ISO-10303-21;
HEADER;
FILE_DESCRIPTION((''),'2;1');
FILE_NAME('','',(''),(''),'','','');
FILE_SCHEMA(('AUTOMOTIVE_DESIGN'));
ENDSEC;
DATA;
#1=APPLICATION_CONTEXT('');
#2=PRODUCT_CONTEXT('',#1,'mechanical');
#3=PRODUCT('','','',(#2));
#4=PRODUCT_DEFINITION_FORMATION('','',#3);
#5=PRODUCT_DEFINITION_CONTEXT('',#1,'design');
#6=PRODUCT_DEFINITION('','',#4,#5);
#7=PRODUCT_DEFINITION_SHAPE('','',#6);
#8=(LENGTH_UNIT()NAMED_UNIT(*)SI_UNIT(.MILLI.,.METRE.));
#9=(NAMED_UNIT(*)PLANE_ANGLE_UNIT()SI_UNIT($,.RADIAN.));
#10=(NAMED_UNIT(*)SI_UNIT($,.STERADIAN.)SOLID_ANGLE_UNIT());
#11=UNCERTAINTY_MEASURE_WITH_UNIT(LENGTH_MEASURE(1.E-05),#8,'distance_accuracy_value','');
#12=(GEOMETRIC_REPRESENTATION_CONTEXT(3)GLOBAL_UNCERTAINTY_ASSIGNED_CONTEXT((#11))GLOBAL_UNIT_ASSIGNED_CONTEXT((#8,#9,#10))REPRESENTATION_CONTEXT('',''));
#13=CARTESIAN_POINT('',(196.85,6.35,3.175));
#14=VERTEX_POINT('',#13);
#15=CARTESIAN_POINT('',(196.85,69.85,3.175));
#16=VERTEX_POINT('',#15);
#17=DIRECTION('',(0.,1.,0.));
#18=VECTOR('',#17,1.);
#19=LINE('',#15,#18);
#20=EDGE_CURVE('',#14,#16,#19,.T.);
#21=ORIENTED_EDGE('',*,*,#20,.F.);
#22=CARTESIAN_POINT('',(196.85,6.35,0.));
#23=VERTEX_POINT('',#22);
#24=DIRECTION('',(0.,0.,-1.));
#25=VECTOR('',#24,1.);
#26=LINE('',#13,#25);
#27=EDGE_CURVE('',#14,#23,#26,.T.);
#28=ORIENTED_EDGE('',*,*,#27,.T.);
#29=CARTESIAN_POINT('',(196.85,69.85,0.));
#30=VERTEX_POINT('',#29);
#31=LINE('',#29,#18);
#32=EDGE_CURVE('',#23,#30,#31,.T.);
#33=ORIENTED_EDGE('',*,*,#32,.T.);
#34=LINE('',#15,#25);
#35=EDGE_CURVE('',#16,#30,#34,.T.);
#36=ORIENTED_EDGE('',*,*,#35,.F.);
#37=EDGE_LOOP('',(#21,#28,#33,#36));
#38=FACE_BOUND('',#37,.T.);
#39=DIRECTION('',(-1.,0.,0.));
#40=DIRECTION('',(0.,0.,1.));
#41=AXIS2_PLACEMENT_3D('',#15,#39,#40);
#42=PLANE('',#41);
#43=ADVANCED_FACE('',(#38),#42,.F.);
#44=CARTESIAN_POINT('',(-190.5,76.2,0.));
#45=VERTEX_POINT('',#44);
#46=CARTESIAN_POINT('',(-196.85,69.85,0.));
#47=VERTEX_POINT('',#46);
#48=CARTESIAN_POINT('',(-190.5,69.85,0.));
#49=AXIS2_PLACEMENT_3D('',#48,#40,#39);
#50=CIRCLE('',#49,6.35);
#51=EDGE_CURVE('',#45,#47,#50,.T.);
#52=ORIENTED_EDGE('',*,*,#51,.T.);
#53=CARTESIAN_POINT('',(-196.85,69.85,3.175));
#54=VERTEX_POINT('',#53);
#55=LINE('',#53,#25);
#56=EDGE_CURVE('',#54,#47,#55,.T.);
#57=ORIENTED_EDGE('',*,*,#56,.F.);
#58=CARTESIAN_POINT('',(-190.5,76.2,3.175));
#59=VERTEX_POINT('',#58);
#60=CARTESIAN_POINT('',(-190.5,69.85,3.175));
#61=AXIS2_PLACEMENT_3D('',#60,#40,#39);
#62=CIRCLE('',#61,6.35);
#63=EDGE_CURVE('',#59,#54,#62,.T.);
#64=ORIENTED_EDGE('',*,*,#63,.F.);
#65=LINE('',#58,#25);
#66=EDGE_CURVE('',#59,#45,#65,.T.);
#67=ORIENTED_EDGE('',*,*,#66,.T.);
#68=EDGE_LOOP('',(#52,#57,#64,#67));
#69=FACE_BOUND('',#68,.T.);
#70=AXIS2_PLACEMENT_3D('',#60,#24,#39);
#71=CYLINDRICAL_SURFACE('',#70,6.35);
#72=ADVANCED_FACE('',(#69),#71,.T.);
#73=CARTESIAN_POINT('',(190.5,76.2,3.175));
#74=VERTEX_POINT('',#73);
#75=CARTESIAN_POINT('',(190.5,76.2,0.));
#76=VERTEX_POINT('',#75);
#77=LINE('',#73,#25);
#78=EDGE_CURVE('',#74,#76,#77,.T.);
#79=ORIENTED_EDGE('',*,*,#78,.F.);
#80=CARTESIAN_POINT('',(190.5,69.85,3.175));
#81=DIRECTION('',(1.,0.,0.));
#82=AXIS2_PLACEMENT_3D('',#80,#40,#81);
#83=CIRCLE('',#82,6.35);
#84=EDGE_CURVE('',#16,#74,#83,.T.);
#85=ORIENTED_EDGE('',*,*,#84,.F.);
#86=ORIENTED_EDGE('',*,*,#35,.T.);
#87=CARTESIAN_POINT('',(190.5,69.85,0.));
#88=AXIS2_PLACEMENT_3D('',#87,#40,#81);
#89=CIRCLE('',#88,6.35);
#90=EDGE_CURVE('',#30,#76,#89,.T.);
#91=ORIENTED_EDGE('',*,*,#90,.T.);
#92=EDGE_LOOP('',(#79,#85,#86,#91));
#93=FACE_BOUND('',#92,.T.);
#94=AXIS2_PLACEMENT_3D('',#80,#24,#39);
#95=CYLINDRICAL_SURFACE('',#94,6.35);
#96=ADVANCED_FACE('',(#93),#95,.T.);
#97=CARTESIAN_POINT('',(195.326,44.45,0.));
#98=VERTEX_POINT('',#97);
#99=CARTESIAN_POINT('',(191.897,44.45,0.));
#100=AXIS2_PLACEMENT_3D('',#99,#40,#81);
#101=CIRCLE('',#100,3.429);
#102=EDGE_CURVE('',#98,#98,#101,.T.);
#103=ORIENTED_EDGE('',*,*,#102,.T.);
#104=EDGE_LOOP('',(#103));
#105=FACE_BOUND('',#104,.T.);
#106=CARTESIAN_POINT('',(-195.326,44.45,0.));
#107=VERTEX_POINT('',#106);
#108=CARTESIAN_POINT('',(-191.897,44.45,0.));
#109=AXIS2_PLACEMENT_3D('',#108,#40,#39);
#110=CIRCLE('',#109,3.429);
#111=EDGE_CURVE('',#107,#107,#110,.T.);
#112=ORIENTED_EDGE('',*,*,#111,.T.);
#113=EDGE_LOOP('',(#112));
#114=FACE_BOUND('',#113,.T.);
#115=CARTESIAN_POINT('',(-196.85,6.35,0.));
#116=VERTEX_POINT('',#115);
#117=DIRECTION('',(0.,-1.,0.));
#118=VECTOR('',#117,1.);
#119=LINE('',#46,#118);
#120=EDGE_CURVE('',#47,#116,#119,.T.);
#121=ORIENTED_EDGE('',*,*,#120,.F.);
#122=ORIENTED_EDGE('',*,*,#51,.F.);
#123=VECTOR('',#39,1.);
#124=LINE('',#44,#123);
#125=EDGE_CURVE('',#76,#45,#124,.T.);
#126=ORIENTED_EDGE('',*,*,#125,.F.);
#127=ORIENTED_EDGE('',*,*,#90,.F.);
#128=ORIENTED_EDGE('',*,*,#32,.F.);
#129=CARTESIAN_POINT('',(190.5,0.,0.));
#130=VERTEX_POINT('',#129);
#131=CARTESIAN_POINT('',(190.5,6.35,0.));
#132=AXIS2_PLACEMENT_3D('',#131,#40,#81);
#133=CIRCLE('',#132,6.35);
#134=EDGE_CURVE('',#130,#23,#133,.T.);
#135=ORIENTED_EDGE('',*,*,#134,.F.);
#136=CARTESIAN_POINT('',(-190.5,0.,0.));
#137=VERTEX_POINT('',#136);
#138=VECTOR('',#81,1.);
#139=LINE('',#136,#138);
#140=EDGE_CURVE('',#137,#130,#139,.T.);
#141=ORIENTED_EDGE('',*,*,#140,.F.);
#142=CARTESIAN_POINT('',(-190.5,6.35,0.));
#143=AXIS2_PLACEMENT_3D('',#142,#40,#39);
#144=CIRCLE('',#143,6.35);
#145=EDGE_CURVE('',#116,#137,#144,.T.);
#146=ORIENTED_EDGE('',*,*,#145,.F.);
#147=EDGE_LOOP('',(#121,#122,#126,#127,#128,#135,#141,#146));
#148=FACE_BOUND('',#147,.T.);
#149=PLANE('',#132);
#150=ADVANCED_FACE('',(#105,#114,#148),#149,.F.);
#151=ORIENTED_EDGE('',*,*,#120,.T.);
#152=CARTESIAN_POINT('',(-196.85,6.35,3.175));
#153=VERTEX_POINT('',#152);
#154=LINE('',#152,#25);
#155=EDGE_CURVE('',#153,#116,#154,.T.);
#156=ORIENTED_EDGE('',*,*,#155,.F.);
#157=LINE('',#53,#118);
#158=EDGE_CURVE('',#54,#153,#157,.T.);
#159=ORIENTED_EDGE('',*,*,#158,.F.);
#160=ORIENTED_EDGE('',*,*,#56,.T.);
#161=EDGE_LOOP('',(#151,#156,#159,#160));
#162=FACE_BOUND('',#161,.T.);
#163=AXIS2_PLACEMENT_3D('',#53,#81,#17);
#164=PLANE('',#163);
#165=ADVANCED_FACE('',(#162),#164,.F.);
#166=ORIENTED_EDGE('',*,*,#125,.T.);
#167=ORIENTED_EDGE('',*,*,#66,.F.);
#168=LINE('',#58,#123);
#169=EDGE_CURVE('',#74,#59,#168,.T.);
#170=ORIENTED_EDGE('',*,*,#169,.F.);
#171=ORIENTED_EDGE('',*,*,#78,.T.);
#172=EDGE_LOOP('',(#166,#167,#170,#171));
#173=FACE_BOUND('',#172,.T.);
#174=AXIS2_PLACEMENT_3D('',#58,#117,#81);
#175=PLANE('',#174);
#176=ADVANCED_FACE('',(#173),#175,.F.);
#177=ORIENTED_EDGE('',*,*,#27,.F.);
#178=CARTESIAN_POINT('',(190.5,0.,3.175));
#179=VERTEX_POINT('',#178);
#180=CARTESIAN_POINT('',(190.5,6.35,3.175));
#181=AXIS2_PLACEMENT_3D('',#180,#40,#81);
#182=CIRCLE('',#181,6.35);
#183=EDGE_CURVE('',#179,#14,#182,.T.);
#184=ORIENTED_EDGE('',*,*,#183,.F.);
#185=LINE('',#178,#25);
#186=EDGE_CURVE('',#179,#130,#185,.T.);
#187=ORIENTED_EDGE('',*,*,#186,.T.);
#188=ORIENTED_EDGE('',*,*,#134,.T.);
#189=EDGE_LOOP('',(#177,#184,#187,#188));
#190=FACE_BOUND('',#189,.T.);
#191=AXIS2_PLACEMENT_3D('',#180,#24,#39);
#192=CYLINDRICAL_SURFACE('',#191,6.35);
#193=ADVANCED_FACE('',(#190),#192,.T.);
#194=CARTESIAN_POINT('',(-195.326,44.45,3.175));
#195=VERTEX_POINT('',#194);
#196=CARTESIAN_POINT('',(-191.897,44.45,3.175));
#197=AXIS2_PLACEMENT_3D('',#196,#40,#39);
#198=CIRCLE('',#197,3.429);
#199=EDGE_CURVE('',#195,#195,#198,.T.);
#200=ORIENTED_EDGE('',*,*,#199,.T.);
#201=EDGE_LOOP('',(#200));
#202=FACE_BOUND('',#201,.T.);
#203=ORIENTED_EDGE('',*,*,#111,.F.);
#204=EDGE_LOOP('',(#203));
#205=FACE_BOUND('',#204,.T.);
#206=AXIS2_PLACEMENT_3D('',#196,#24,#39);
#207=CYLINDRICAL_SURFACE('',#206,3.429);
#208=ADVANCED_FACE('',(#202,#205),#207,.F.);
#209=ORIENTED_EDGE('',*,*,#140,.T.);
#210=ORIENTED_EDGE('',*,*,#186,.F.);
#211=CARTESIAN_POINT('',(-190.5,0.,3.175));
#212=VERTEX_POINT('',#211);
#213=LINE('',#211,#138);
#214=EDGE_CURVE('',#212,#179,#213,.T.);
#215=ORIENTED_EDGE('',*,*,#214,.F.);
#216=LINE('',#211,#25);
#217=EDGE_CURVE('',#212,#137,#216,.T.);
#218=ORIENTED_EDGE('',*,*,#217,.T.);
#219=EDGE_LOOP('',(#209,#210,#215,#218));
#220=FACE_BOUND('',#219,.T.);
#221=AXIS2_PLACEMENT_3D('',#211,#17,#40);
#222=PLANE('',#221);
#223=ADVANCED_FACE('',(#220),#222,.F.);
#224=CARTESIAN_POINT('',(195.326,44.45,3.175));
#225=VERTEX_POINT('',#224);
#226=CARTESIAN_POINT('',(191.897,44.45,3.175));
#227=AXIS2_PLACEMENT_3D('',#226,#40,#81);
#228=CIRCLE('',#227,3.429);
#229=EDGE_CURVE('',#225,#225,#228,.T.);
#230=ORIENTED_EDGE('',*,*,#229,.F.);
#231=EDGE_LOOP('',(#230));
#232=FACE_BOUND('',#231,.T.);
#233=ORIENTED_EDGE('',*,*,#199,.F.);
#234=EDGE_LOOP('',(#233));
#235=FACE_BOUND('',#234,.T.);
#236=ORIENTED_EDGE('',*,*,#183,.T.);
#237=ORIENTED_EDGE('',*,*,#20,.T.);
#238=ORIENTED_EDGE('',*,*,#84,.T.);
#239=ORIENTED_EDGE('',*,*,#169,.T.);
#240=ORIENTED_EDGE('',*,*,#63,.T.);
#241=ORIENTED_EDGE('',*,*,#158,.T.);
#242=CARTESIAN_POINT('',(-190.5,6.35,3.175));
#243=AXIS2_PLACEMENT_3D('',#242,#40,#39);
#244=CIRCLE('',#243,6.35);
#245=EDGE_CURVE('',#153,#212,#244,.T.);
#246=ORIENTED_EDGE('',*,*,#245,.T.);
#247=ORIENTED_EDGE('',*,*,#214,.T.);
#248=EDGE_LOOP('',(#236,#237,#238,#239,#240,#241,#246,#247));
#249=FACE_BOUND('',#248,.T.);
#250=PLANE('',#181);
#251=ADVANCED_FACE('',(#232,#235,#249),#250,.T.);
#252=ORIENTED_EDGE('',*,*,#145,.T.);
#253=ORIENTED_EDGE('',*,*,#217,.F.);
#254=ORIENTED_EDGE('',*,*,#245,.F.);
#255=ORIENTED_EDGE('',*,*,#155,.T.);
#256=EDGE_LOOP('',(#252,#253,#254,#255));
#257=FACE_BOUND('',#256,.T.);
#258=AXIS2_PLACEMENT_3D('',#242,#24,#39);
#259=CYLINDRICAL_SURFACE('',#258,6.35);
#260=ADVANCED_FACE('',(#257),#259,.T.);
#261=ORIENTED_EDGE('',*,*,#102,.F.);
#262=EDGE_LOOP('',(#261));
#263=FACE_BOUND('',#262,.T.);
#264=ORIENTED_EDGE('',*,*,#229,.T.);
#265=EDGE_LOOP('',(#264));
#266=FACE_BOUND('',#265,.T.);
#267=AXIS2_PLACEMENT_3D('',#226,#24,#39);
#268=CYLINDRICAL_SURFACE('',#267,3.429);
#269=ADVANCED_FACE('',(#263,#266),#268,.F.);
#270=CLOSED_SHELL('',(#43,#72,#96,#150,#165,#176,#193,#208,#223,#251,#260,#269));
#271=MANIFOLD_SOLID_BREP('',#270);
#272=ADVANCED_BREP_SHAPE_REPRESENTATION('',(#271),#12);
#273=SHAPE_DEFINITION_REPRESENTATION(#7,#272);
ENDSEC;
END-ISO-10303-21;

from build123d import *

# Parameters (mm, degrees)
SKETCH1_R           = 3.429
BOSS_EXTRUDE1_DEPTH = 3.175


with BuildPart() as part:
    # Sketch1 → Boss-Extrude1 (new body)
    with BuildSketch(Plane.XY):
        with BuildLine():
            Line((-196.85, 69.85), (-196.85, 6.35))
            ThreePointArc((-196.85, 6.35), (-194.990128061, 1.859871939), (-190.5, 0))
            Line((-190.5, 0), (190.5, 0))
            ThreePointArc((190.5, 0), (194.990128061, 1.859871939), (196.85, 6.35))
            Line((196.85, 6.35), (196.85, 69.85))
            ThreePointArc((196.85, 69.85), (194.990128061, 74.340128061), (190.5, 76.2))
            Line((190.5, 76.2), (-190.5, 76.2))
            ThreePointArc((-190.5, 76.2), (-194.990128061, 74.340128061), (-196.85, 69.85))
        make_face()
        with Locations((191.897, 44.45)):
            Circle(SKETCH1_R, mode=Mode.SUBTRACT)
        with Locations((-191.897, 44.45)):
            Circle(SKETCH1_R, mode=Mode.SUBTRACT)
    extrude(amount=BOSS_EXTRUDE1_DEPTH)


solid = part.part
